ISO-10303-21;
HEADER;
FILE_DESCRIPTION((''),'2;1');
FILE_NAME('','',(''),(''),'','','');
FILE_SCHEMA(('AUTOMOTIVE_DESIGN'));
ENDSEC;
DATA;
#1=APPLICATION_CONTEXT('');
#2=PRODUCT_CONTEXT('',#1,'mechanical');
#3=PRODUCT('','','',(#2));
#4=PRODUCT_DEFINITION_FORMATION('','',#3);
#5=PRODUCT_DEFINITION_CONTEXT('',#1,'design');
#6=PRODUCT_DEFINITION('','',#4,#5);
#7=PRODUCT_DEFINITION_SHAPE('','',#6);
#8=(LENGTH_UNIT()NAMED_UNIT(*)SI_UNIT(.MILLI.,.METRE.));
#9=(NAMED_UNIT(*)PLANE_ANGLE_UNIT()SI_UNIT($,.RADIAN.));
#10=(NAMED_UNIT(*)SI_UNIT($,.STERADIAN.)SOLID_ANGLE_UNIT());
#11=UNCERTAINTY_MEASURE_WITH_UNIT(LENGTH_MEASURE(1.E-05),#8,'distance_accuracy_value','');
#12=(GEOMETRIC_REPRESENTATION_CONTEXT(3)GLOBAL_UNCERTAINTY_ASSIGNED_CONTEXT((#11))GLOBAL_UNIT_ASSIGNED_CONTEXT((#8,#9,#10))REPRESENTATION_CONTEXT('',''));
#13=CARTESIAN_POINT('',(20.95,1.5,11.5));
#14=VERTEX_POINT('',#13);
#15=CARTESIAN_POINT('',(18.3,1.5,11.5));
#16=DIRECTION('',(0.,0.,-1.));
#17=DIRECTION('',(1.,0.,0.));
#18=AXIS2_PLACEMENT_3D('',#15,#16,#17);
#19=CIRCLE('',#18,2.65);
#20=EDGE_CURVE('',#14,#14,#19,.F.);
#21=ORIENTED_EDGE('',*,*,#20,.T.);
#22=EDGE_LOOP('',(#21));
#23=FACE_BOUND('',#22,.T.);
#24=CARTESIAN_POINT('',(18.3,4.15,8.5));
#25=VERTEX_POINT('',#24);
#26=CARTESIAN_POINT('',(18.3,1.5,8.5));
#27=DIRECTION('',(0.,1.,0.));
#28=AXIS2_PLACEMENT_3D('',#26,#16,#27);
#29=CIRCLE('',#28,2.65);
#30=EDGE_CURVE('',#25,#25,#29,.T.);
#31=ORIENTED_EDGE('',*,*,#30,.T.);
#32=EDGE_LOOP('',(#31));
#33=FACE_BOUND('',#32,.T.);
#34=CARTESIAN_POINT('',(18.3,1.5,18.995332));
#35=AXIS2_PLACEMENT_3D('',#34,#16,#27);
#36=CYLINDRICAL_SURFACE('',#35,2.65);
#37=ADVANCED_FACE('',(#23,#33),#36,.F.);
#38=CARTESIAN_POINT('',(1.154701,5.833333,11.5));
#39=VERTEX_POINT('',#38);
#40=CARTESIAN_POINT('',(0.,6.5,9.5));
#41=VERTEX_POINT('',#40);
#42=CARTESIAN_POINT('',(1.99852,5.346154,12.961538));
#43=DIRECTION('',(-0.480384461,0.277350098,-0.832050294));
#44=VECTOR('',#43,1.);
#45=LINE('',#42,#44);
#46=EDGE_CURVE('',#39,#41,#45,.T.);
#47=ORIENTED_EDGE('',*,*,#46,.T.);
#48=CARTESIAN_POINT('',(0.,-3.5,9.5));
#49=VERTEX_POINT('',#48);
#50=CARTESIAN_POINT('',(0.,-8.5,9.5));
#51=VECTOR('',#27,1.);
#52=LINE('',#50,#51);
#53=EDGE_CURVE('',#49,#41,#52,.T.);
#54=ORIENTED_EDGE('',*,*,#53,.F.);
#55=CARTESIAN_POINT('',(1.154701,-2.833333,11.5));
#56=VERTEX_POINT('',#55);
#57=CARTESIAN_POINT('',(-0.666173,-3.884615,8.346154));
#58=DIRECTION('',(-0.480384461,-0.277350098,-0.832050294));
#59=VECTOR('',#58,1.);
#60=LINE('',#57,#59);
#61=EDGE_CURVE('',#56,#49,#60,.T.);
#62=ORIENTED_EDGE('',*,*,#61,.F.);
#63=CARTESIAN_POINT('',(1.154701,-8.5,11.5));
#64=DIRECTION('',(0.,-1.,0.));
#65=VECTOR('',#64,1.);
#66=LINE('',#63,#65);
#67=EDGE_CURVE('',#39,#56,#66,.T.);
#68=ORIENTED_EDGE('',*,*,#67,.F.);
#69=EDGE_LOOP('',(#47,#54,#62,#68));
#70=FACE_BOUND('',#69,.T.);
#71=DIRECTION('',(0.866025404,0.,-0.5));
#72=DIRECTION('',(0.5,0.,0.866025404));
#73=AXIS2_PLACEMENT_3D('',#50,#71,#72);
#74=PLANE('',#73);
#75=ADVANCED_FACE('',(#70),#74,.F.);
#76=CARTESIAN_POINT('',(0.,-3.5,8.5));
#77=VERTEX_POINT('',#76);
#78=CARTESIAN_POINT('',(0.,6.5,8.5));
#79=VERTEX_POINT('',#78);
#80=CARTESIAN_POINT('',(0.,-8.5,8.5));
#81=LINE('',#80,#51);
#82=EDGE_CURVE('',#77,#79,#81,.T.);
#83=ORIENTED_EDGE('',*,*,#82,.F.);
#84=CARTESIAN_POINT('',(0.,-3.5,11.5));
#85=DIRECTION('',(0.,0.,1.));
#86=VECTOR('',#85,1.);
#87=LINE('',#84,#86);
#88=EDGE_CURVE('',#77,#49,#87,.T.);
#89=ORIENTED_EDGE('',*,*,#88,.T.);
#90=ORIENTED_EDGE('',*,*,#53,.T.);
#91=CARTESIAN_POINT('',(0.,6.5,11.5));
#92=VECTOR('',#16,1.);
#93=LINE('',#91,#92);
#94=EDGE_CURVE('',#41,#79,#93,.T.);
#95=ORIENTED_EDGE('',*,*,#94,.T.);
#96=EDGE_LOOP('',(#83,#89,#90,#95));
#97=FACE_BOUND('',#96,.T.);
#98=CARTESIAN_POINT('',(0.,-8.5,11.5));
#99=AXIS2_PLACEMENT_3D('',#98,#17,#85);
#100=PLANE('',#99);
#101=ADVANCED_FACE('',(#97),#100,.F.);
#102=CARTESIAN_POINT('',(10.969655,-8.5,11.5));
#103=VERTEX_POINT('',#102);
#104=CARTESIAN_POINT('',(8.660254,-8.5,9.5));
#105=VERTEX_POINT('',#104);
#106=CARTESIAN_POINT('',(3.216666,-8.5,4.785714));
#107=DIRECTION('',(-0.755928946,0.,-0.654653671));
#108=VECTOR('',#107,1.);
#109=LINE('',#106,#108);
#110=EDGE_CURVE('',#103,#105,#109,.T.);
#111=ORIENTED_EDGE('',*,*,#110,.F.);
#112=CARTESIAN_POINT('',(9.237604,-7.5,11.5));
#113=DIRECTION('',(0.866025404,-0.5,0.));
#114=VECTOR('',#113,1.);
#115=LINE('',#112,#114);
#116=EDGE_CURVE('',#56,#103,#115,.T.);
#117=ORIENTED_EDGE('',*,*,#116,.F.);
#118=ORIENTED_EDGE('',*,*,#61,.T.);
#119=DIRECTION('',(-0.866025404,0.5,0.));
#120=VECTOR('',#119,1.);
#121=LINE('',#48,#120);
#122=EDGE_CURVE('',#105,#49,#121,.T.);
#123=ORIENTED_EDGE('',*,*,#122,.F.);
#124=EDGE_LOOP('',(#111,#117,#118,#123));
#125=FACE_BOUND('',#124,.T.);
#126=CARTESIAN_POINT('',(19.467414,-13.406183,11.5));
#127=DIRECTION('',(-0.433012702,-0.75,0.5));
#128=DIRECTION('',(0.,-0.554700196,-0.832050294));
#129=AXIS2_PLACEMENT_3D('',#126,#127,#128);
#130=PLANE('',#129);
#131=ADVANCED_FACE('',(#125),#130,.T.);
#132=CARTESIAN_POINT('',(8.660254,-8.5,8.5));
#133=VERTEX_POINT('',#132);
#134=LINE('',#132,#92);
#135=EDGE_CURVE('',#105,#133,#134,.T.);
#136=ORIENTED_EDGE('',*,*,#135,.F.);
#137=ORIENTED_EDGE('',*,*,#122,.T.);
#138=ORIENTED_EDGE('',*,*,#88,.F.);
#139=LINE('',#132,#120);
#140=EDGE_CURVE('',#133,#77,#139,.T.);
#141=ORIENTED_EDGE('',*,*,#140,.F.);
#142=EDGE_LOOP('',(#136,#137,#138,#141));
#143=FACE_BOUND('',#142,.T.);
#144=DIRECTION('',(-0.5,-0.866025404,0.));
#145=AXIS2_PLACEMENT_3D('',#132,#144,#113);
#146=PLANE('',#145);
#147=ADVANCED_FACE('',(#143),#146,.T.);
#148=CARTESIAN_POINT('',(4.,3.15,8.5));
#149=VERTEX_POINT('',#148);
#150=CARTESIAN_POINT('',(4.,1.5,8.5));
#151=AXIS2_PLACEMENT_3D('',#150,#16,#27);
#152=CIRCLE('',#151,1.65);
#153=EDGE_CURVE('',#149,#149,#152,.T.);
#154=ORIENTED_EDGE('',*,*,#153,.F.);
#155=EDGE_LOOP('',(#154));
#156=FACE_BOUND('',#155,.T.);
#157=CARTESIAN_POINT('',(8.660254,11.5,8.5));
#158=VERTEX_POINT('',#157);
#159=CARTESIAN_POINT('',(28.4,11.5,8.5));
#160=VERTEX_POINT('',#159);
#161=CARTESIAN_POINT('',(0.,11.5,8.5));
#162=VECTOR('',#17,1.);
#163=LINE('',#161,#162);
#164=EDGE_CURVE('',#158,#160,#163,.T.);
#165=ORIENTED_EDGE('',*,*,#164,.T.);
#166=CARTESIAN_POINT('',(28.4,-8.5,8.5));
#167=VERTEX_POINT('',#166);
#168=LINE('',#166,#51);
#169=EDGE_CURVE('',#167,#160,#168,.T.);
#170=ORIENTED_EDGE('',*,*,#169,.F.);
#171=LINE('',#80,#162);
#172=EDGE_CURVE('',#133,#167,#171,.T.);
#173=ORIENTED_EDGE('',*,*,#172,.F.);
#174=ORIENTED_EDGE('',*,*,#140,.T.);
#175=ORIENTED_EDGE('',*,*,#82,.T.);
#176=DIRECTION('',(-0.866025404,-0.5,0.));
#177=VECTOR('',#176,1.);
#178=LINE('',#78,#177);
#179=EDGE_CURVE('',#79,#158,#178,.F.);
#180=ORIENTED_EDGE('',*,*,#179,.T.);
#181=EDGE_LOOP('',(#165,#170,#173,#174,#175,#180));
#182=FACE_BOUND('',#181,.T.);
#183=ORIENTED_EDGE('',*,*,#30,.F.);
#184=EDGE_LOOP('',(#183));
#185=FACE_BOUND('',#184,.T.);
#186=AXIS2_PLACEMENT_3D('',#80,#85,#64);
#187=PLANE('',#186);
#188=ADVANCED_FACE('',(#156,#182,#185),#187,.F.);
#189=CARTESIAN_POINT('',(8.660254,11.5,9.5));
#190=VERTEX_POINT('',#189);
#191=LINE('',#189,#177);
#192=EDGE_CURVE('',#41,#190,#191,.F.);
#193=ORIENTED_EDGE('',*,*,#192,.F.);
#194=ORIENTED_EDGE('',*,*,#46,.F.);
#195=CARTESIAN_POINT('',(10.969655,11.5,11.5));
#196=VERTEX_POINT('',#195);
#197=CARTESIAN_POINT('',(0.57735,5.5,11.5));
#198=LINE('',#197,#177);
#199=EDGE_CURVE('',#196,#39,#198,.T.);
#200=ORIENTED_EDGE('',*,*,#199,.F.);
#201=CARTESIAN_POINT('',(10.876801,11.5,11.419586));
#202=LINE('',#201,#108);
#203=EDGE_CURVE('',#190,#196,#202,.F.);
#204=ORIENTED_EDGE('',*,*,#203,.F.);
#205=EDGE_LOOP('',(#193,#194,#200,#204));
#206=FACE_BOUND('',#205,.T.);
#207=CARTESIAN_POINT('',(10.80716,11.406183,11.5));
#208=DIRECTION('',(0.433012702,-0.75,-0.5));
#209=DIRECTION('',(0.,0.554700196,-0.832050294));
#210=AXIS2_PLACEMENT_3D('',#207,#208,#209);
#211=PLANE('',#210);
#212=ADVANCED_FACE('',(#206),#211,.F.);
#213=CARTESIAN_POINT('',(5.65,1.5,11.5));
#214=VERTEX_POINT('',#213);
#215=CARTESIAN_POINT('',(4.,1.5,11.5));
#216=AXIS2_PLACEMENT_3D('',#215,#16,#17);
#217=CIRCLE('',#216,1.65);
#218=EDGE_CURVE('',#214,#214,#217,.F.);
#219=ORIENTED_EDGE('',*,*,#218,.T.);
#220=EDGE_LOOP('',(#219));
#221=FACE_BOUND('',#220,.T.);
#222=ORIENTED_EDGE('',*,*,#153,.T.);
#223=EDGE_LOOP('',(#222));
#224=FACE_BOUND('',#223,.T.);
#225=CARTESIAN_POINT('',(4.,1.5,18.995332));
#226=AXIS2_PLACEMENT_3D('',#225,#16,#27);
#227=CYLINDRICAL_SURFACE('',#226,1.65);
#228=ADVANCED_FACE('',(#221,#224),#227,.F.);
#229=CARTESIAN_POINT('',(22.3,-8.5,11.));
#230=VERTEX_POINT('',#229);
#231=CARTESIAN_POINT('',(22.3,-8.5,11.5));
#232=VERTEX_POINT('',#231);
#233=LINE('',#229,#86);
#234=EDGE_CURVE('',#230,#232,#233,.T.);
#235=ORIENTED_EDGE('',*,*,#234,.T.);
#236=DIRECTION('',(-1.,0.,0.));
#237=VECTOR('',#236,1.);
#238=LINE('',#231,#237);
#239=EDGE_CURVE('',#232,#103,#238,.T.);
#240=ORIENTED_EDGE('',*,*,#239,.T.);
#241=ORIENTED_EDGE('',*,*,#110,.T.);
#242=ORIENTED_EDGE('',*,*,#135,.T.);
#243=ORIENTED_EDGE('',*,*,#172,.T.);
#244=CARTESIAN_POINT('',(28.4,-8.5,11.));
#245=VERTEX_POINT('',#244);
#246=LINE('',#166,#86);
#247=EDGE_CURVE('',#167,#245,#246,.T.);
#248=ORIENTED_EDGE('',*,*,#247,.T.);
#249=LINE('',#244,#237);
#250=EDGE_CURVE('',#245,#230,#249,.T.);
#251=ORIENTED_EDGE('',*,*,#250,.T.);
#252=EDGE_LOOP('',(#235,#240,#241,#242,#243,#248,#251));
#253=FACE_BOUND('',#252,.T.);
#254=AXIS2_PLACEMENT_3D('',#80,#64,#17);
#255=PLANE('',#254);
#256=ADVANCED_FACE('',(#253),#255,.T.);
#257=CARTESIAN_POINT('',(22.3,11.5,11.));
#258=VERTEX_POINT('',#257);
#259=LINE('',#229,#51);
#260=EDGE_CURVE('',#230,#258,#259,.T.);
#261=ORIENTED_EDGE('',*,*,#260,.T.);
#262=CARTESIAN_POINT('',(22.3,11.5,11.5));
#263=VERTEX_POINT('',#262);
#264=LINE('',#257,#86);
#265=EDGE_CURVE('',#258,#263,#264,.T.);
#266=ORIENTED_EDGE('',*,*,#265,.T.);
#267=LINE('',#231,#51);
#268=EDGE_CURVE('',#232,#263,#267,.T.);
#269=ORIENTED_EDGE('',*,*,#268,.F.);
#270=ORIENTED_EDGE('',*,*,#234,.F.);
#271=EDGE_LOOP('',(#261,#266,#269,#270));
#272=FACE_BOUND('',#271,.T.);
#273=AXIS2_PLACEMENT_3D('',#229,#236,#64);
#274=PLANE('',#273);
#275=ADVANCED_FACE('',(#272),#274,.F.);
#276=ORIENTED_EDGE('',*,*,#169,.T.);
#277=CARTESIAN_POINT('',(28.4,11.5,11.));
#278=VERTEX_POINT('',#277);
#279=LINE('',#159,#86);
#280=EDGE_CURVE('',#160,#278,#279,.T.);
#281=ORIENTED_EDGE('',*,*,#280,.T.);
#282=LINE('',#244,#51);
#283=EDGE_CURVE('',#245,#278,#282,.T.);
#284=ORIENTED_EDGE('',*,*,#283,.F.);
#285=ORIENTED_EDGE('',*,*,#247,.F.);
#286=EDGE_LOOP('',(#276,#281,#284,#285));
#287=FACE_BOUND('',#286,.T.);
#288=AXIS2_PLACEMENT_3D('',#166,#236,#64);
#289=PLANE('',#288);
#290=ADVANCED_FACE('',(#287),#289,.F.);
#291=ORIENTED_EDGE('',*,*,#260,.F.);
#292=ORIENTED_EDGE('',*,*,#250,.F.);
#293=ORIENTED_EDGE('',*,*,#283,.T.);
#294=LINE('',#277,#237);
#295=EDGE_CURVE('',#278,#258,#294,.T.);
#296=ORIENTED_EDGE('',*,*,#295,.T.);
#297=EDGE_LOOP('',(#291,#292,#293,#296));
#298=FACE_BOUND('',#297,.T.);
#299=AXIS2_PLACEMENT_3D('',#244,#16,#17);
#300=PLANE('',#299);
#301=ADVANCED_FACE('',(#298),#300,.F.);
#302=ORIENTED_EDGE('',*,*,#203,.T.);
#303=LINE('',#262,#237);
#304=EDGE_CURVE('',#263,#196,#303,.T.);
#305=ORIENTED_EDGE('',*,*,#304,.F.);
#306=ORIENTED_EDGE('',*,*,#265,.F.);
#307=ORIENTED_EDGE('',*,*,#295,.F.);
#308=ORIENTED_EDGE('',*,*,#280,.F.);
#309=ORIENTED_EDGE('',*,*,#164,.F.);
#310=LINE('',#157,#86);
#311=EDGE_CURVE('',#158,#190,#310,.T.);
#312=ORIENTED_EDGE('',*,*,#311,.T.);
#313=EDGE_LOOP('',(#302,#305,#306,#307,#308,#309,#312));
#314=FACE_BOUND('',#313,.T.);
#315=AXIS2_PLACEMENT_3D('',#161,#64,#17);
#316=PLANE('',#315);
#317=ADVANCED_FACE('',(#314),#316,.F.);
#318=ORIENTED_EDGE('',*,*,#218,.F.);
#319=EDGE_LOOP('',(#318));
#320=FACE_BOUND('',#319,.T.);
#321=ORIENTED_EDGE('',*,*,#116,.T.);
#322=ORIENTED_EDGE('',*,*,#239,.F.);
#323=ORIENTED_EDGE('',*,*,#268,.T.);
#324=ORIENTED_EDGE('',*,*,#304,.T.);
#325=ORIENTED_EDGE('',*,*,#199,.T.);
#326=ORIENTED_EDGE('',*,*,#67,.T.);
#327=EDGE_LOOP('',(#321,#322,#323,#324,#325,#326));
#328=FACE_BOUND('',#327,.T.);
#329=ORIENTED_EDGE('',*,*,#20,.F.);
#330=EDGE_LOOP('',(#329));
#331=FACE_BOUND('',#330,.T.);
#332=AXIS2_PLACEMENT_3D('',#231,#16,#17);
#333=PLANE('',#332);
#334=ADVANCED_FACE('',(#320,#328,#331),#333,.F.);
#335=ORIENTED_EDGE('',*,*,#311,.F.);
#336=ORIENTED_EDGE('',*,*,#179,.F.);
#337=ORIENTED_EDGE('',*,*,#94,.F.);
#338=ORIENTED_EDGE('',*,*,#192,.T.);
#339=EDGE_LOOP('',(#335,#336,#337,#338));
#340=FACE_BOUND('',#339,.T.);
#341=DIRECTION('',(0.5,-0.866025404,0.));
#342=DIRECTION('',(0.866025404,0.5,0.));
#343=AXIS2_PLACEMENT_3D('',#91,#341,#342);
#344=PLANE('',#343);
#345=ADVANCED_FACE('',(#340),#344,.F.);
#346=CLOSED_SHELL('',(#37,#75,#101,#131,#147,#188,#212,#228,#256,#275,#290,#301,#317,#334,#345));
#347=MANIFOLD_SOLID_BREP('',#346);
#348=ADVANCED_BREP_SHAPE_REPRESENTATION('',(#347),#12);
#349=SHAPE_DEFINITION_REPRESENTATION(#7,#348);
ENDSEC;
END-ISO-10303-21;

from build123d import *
from OCP.BRepFilletAPI import BRepFilletAPI_MakeChamfer

# Parameters (mm, degrees)
AUFSATZ_LINEAR_AUSTRAGEN1_DEPTH    = 20
SKIZZE2_R                          = 1.65
SKIZZE2_R_2                        = 2.65
SCHNITT_LINEAR_AUSTRAGEN1_DEPTH    = 3
FASE1_SIZE                         = 5
FASE1_SIZE2                        = 8.660254038
FASE2_SIZE                         = 2
FASE2_SIZE2                        = 1.154700538
K_RPER_VERSCHIEBEN_KOPIEREN1_ANGLE = 90


with BuildPart() as part:
    # Skizze1 → Aufsatz-Linear austragen1 (new body)
    with BuildSketch(Plane.XY):
        Polygon((0, 0), (28.4, 0), (28.4, 2.5), (22.3, 2.5), (22.3, 3), (0, 3), align=None)
    extrude(amount=AUFSATZ_LINEAR_AUSTRAGEN1_DEPTH)

    # Skizze2 → Schnitt-Linear austragen1 (cut)
    with BuildSketch(Plane.XZ):
        with Locations(Location((4, 10, 0), (0, 0, 270))):
            Circle(SKIZZE2_R)
        with Locations(Location((18.3, 10, 0), (0, 0, 270))):
            Circle(SKIZZE2_R_2)
    extrude(amount=-SCHNITT_LINEAR_AUSTRAGEN1_DEPTH, mode=Mode.SUBTRACT)

    # Fase1
    fase1_edges = [part.edges().sort_by_distance(p)[0] for p in [
        (0, 1.5, 20),
        (0, 1.5, 0),
    ]]
    fase1_side = [part.faces().sort_by_distance(p)[0] for p in [
        (0, 1.5, 10),
    ]]
    chamfer(fase1_edges, length=FASE1_SIZE, length2=FASE1_SIZE2, reference=fase1_side[0])

    # Fase2: one chamfer whose edges measure the first distance from different faces: ONE call of the kernel's chamfer builder (chamfer() names one face for all edges)
    fase2_edges_1 = [part.edges().sort_by_distance(p)[0] for p in [
        (0, 3, 10),
    ]]
    fase2_side_1 = [part.faces().sort_by_distance(p)[0] for p in [
        (0, 1.5, 10),
    ]]
    fase2_edges_2 = [part.edges().sort_by_distance(p)[0] for p in [
        (4.330127019, 3, 17.5),
    ]]
    fase2_side_2 = [part.faces().sort_by_distance(p)[0] for p in [
        (4.330127019, 1.5, 17.5),
    ]]
    fase2_edges_3 = [part.edges().sort_by_distance(p)[0] for p in [
        (4.330127019, 3, 2.5),
    ]]
    fase2_side_3 = [part.faces().sort_by_distance(p)[0] for p in [
        (4.330127019, 1.5, 2.5),
    ]]
    fase2 = BRepFilletAPI_MakeChamfer(part.part.solid().wrapped)
    for e in fase2_edges_1:
        fase2.Add(FASE2_SIZE, FASE2_SIZE2, e.wrapped, fase2_side_1[0].wrapped)  # the first distance lies on this face
    for e in fase2_edges_2:
        fase2.Add(FASE2_SIZE, FASE2_SIZE2, e.wrapped, fase2_side_2[0].wrapped)  # the first distance lies on this face
    for e in fase2_edges_3:
        fase2.Add(FASE2_SIZE, FASE2_SIZE2, e.wrapped, fase2_side_3[0].wrapped)  # the first distance lies on this face
    add(Compound.cast(fase2.Shape()), mode=Mode.REPLACE)


with BuildPart() as part_1:
    # Körper-Verschieben/Kopieren1: moved
    add(part.part.rotate(Axis((0, 1.5, 10), (1, 0, 0)), K_RPER_VERSCHIEBEN_KOPIEREN1_ANGLE))


solid = part_1.part
